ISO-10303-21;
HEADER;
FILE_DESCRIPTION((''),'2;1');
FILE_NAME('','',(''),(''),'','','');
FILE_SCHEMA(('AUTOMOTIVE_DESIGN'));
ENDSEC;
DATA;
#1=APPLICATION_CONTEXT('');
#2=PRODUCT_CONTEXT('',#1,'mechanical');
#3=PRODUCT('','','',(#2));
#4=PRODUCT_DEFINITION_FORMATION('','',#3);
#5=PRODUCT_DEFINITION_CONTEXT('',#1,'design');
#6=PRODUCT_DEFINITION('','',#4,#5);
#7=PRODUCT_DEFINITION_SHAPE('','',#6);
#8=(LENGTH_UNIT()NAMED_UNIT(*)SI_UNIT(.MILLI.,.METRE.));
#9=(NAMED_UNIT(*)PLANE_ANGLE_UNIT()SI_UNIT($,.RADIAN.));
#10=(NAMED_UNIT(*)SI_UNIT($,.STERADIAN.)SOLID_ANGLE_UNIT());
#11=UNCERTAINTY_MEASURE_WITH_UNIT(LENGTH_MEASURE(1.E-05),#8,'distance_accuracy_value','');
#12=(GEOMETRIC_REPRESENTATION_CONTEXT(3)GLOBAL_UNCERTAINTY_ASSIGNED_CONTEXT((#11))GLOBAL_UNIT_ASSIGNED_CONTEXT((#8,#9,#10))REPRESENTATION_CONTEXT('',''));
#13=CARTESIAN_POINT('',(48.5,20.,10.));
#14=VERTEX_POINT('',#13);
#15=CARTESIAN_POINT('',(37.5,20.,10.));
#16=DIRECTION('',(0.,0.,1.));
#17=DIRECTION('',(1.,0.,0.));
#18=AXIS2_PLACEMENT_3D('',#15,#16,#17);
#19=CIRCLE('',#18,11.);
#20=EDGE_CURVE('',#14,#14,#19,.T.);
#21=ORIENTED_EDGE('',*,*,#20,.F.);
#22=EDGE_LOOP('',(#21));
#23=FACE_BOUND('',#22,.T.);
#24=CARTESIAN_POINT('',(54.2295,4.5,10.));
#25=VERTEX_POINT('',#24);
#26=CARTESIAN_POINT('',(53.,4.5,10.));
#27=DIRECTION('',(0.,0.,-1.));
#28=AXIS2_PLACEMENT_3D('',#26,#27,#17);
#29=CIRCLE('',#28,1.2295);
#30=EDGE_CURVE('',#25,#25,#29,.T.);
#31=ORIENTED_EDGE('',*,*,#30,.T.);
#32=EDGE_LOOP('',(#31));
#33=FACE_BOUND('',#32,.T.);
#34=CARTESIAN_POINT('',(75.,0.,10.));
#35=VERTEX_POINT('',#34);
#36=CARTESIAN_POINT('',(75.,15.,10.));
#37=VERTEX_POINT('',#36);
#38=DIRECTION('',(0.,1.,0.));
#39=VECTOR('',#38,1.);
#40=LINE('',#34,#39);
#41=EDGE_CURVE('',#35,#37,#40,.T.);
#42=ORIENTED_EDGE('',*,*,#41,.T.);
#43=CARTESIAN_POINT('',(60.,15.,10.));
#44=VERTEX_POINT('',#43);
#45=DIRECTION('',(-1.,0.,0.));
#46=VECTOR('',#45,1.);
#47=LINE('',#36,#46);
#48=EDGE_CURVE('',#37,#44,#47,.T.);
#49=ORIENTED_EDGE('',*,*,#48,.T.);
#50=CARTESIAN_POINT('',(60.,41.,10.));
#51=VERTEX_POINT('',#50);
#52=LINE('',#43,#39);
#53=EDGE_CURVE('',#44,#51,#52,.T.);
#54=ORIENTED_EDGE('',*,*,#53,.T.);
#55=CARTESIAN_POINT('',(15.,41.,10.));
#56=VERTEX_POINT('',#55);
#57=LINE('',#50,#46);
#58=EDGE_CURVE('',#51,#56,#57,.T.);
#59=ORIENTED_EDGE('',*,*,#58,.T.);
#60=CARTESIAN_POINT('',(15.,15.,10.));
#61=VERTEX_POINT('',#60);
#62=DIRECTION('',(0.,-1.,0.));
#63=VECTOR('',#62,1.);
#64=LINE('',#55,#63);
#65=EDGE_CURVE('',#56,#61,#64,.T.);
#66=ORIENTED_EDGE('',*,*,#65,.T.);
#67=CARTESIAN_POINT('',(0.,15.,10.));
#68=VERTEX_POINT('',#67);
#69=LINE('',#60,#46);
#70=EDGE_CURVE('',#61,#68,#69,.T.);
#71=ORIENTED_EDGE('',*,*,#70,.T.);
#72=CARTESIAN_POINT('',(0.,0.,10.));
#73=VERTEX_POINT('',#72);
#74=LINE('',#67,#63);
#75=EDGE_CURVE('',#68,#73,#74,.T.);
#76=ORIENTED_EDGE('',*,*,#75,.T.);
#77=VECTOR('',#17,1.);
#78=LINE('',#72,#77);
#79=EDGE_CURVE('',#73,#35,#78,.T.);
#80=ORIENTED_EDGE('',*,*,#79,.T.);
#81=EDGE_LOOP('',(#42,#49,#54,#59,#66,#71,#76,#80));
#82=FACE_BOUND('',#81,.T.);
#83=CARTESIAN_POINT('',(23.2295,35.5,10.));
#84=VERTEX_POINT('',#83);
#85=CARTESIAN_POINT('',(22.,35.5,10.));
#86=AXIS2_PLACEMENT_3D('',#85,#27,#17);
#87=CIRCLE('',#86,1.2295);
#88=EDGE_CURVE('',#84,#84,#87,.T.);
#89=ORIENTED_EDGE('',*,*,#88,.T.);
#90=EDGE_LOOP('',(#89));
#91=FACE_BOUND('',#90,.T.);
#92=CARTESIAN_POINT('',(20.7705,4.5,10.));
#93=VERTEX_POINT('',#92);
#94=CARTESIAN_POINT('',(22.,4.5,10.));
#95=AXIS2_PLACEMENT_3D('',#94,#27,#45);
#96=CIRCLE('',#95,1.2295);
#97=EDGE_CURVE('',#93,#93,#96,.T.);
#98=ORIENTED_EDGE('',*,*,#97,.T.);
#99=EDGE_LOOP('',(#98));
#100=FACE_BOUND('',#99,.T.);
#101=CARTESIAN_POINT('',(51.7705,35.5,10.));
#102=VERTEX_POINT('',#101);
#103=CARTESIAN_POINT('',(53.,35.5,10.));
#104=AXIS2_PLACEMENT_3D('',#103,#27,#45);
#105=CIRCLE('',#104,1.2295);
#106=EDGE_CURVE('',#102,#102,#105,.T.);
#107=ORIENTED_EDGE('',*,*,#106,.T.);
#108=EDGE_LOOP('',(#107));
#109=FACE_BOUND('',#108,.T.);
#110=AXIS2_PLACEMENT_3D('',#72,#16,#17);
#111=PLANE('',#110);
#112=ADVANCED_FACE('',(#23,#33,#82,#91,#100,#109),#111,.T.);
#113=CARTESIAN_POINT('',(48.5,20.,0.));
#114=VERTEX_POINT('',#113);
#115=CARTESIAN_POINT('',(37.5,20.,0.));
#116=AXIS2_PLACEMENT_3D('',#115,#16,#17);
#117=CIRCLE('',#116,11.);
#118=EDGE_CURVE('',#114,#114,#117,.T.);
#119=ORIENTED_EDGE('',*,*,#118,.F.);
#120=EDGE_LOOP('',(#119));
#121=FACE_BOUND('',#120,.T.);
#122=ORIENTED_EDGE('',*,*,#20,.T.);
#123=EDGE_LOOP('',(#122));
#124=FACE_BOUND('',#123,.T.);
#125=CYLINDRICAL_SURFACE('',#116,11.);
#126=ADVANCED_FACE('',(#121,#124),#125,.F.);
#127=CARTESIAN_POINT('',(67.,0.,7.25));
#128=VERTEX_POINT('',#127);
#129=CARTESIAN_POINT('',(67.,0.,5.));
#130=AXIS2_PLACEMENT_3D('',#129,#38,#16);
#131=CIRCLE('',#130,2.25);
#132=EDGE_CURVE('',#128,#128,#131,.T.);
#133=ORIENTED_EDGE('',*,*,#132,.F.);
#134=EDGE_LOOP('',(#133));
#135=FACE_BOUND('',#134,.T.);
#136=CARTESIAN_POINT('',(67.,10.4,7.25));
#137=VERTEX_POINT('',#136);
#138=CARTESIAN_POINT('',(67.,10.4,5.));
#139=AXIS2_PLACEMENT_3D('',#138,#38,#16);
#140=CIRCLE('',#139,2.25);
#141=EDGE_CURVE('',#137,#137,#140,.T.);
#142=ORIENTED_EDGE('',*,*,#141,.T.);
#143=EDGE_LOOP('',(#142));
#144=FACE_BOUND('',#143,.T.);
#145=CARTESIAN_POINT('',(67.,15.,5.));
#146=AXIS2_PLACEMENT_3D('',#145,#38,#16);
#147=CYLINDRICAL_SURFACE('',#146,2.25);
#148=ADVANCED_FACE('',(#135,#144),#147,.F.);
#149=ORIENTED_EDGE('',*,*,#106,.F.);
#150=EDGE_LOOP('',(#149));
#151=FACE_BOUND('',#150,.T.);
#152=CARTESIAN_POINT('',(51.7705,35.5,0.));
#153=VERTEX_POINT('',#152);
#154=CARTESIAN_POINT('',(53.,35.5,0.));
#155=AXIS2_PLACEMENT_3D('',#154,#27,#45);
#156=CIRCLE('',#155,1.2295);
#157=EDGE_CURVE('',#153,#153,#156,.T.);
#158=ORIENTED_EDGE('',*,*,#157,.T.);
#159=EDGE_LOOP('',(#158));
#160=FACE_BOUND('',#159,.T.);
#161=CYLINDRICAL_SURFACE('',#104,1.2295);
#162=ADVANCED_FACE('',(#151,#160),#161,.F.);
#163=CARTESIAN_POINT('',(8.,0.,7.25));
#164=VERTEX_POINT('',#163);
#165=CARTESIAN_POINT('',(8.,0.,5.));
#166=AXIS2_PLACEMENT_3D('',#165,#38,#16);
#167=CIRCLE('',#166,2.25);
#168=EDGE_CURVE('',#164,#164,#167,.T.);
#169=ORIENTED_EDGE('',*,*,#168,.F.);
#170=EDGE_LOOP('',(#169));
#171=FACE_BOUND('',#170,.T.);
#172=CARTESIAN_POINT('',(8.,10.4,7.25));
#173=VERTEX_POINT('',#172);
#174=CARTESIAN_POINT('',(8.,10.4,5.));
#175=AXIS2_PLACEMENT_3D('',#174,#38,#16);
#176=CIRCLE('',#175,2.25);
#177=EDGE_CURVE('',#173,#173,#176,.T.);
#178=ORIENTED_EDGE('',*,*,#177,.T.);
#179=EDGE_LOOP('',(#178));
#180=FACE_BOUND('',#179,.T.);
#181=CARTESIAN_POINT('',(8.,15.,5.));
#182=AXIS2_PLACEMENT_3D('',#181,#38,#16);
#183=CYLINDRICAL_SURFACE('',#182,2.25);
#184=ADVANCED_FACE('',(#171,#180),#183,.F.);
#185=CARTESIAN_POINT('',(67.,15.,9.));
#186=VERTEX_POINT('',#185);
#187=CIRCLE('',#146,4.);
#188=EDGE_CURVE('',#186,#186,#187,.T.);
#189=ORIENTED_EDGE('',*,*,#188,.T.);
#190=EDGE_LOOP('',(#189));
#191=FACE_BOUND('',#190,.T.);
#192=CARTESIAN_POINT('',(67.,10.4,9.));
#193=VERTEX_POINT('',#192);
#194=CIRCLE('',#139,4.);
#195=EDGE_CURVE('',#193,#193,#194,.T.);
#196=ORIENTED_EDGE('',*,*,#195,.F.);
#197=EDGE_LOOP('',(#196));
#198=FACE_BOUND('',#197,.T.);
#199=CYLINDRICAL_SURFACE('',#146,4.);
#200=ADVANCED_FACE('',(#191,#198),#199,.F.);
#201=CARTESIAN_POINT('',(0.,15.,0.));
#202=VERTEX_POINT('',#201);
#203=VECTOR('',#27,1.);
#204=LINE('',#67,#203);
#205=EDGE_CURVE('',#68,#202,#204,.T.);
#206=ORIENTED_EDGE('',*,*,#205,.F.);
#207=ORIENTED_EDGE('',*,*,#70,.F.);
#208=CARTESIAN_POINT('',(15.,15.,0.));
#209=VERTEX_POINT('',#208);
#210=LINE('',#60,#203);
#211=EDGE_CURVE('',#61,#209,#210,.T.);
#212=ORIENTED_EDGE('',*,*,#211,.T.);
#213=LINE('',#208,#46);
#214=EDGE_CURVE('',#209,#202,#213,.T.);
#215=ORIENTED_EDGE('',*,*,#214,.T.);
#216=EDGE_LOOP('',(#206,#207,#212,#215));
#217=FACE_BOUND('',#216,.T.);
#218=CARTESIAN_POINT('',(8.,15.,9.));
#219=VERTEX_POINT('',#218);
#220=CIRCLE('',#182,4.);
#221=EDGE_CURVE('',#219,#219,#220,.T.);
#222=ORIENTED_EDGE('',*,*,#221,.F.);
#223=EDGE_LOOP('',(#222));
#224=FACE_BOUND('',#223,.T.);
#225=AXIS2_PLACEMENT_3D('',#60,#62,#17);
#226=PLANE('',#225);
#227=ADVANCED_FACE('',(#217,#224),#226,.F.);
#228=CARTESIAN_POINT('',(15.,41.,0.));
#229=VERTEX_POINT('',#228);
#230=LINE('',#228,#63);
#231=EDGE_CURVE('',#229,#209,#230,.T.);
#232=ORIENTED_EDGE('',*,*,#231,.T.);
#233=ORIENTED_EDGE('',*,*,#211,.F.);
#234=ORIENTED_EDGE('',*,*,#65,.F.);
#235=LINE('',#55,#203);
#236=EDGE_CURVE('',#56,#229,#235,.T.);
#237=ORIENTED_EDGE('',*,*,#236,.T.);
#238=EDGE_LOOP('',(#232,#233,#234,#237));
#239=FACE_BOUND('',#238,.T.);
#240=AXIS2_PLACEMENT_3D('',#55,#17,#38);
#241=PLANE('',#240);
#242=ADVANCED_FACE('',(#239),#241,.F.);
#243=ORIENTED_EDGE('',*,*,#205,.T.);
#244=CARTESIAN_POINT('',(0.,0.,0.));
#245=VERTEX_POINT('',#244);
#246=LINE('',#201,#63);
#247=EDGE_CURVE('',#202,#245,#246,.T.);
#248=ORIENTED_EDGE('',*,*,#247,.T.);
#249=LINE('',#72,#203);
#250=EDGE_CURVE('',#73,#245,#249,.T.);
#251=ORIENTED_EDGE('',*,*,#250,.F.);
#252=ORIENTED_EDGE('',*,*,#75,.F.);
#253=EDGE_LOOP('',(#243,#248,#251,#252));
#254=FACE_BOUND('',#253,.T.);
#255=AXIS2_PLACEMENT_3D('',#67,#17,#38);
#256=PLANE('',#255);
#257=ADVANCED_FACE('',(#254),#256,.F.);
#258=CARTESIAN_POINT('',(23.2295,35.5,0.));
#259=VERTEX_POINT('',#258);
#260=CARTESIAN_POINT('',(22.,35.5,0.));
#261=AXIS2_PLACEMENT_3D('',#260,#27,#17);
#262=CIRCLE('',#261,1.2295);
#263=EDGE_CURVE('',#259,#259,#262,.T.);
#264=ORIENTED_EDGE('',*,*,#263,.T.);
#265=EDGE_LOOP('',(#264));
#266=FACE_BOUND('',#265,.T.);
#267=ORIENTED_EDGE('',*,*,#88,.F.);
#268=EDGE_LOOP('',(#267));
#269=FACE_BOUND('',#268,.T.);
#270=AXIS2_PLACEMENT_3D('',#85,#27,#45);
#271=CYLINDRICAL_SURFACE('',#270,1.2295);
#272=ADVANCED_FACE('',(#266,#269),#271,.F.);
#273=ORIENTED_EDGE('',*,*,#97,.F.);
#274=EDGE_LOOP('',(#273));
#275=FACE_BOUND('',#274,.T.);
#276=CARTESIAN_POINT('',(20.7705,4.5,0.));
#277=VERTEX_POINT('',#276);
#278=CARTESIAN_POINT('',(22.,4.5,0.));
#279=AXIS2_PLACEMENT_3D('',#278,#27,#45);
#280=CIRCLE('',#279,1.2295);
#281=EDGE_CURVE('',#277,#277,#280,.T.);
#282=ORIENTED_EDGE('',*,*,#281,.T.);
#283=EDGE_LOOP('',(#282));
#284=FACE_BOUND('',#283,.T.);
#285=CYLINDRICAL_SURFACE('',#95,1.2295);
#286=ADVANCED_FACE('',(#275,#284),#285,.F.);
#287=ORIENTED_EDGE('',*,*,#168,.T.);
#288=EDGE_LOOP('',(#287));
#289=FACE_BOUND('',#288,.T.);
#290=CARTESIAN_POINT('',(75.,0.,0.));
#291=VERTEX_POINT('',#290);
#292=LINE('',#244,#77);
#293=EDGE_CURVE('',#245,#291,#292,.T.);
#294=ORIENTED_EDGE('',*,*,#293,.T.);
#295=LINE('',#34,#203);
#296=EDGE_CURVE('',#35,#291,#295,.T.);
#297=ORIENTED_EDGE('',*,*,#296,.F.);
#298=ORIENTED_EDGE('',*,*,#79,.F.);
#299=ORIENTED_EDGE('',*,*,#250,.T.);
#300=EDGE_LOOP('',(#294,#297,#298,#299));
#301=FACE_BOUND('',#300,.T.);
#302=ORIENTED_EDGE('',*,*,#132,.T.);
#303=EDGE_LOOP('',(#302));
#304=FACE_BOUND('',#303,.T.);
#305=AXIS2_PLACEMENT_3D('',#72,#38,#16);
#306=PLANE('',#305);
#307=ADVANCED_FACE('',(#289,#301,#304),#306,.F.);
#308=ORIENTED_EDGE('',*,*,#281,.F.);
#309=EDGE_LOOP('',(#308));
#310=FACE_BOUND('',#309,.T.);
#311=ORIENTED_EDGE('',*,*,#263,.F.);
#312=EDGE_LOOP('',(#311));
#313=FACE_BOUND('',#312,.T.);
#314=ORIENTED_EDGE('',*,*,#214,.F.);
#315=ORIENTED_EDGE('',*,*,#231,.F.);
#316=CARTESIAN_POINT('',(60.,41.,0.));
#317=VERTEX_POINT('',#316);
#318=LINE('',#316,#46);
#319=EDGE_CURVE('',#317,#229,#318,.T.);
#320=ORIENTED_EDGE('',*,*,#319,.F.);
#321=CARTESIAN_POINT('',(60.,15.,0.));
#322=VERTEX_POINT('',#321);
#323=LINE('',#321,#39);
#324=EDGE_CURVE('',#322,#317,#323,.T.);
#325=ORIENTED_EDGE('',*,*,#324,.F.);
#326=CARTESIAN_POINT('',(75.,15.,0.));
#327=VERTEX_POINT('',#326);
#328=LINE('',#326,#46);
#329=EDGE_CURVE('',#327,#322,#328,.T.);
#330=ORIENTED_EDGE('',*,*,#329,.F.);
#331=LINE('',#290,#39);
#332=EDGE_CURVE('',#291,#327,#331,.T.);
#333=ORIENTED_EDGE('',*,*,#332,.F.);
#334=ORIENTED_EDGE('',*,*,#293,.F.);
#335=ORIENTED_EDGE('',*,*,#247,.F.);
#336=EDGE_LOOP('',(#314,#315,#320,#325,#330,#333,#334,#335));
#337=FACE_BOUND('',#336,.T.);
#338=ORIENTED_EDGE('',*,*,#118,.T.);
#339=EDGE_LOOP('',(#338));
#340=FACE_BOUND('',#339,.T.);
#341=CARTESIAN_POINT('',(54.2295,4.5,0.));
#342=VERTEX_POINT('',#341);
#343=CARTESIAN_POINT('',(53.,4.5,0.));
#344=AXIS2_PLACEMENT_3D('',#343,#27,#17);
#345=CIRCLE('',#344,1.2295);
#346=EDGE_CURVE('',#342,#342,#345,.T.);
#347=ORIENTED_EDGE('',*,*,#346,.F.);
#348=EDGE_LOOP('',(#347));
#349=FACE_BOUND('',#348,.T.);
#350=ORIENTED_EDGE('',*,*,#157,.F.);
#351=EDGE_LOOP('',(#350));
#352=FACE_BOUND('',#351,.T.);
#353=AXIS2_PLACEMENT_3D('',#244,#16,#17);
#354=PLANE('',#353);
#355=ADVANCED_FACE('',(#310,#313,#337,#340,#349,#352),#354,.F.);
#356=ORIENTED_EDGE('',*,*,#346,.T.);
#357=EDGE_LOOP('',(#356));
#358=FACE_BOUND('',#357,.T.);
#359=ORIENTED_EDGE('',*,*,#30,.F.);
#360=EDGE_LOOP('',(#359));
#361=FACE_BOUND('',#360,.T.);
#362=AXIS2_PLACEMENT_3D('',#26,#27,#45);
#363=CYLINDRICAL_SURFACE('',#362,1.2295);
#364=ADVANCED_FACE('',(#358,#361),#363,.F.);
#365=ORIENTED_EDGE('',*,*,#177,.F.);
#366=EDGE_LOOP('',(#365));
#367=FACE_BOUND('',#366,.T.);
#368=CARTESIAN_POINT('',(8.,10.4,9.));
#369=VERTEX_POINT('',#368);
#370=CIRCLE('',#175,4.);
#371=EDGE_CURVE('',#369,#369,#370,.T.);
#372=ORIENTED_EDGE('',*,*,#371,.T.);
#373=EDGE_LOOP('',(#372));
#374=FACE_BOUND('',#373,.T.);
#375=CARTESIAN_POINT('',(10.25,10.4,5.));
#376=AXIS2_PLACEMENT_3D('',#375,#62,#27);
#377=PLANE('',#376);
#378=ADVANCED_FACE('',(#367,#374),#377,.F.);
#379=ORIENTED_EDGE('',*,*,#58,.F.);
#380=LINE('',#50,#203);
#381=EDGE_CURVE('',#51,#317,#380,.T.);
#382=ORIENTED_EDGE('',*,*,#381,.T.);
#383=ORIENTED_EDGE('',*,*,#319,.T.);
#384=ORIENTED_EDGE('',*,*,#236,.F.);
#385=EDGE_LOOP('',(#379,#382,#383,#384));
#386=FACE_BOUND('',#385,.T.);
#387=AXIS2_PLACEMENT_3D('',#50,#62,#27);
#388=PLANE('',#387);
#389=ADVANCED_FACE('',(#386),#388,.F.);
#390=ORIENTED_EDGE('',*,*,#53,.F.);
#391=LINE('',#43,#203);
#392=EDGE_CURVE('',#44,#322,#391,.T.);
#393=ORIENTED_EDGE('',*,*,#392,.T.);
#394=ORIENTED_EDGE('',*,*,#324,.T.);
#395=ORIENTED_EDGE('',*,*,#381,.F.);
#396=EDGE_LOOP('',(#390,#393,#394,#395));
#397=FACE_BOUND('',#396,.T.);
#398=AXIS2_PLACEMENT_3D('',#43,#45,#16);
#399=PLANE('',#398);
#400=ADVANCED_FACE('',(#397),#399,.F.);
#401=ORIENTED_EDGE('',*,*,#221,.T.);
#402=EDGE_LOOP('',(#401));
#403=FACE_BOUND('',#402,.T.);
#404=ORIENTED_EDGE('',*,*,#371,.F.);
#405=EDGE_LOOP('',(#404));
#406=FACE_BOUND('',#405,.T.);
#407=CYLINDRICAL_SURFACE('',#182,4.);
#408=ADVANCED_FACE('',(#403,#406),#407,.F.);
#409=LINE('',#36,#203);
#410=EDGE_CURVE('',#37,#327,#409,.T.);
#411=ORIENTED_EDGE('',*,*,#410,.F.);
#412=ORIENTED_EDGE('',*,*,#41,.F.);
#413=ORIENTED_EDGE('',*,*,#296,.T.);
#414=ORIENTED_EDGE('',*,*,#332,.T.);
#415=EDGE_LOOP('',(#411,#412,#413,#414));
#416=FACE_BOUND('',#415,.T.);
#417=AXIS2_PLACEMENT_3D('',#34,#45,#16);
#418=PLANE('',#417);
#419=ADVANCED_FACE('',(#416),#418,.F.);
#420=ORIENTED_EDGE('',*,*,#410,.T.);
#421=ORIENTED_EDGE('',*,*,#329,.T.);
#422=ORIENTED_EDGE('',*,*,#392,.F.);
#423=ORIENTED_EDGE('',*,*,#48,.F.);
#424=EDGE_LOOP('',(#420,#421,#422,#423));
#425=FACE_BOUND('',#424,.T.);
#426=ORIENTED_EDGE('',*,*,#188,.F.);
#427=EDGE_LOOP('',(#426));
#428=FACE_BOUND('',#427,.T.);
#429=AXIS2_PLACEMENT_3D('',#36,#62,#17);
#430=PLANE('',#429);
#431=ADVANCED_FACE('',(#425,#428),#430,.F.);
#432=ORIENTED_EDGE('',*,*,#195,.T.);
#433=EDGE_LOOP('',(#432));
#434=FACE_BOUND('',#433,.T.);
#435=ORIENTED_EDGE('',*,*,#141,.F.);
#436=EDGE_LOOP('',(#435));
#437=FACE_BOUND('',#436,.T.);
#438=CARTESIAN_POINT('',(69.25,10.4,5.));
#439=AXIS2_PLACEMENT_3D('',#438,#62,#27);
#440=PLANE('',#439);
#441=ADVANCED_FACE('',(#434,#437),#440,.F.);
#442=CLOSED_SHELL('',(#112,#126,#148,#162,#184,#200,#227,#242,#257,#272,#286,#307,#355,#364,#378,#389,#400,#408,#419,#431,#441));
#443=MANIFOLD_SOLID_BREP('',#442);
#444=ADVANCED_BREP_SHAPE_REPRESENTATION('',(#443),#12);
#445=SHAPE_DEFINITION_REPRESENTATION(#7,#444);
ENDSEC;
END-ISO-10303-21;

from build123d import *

# Parameters (mm, degrees)
EXTRUDE_1_DEPTH              = 10
SKETCH_2_R                   = 11
CUT_EXTRUDE_1_DEPTH          = 87.058119896
HOLE_WIZARD_M4_1_D           = 4.5
HOLE_WIZARD_M4_1_CBORE_D     = 8
HOLE_WIZARD_M4_1_CBORE_DEPTH = 4.6
SKETCH_3_R                   = 1.2295
CUT_EXTRUDE_2_DEPTH          = 87.058119896


with BuildPart() as part:
    # 草图1 → 凸台-拉伸1 (new body)
    with BuildSketch(Plane.XY):
        Polygon((0, 0), (75, 0), (75, 15), (60, 15), (60, 41), (15, 41), (15, 15), (0, 15), align=None)
    extrude(amount=EXTRUDE_1_DEPTH)

    # 草图2 → 切除-拉伸1 (cut, through all)
    with BuildSketch(Plane.XY.offset(10)):
        with Locations((37.5, 20)):
            Circle(SKETCH_2_R)
    extrude(amount=-CUT_EXTRUDE_1_DEPTH, mode=Mode.SUBTRACT)

    # M4 六角圆柱头螺钉的柱形沉头孔1 (through all)
    with Locations(Plane(origin=(8, 15, 5), x_dir=(1, 0, 0), z_dir=(0, 1, 0))):
        with Locations((0, 0), (59, 0)):
            CounterBoreHole(HOLE_WIZARD_M4_1_D / 2, HOLE_WIZARD_M4_1_CBORE_D / 2, HOLE_WIZARD_M4_1_CBORE_DEPTH)

    # 草图3 → 切除-拉伸2 (cut, through all)
    with BuildSketch(Plane(origin=(0, 0, 0), x_dir=(-1, 0, 0), z_dir=(0, 0, -1))):
        with Locations((-22, 4.5)):
            Circle(SKETCH_3_R)
        with Locations(Location((-53, 4.5, 0), (0, 0, 180))):
            Circle(SKETCH_3_R)
        with Locations((-53, 35.5)):
            Circle(SKETCH_3_R)
        with Locations(Location((-22, 35.5, 0), (0, 0, 180))):
            Circle(SKETCH_3_R)
    extrude(amount=-CUT_EXTRUDE_2_DEPTH, mode=Mode.SUBTRACT)


solid = part.part
